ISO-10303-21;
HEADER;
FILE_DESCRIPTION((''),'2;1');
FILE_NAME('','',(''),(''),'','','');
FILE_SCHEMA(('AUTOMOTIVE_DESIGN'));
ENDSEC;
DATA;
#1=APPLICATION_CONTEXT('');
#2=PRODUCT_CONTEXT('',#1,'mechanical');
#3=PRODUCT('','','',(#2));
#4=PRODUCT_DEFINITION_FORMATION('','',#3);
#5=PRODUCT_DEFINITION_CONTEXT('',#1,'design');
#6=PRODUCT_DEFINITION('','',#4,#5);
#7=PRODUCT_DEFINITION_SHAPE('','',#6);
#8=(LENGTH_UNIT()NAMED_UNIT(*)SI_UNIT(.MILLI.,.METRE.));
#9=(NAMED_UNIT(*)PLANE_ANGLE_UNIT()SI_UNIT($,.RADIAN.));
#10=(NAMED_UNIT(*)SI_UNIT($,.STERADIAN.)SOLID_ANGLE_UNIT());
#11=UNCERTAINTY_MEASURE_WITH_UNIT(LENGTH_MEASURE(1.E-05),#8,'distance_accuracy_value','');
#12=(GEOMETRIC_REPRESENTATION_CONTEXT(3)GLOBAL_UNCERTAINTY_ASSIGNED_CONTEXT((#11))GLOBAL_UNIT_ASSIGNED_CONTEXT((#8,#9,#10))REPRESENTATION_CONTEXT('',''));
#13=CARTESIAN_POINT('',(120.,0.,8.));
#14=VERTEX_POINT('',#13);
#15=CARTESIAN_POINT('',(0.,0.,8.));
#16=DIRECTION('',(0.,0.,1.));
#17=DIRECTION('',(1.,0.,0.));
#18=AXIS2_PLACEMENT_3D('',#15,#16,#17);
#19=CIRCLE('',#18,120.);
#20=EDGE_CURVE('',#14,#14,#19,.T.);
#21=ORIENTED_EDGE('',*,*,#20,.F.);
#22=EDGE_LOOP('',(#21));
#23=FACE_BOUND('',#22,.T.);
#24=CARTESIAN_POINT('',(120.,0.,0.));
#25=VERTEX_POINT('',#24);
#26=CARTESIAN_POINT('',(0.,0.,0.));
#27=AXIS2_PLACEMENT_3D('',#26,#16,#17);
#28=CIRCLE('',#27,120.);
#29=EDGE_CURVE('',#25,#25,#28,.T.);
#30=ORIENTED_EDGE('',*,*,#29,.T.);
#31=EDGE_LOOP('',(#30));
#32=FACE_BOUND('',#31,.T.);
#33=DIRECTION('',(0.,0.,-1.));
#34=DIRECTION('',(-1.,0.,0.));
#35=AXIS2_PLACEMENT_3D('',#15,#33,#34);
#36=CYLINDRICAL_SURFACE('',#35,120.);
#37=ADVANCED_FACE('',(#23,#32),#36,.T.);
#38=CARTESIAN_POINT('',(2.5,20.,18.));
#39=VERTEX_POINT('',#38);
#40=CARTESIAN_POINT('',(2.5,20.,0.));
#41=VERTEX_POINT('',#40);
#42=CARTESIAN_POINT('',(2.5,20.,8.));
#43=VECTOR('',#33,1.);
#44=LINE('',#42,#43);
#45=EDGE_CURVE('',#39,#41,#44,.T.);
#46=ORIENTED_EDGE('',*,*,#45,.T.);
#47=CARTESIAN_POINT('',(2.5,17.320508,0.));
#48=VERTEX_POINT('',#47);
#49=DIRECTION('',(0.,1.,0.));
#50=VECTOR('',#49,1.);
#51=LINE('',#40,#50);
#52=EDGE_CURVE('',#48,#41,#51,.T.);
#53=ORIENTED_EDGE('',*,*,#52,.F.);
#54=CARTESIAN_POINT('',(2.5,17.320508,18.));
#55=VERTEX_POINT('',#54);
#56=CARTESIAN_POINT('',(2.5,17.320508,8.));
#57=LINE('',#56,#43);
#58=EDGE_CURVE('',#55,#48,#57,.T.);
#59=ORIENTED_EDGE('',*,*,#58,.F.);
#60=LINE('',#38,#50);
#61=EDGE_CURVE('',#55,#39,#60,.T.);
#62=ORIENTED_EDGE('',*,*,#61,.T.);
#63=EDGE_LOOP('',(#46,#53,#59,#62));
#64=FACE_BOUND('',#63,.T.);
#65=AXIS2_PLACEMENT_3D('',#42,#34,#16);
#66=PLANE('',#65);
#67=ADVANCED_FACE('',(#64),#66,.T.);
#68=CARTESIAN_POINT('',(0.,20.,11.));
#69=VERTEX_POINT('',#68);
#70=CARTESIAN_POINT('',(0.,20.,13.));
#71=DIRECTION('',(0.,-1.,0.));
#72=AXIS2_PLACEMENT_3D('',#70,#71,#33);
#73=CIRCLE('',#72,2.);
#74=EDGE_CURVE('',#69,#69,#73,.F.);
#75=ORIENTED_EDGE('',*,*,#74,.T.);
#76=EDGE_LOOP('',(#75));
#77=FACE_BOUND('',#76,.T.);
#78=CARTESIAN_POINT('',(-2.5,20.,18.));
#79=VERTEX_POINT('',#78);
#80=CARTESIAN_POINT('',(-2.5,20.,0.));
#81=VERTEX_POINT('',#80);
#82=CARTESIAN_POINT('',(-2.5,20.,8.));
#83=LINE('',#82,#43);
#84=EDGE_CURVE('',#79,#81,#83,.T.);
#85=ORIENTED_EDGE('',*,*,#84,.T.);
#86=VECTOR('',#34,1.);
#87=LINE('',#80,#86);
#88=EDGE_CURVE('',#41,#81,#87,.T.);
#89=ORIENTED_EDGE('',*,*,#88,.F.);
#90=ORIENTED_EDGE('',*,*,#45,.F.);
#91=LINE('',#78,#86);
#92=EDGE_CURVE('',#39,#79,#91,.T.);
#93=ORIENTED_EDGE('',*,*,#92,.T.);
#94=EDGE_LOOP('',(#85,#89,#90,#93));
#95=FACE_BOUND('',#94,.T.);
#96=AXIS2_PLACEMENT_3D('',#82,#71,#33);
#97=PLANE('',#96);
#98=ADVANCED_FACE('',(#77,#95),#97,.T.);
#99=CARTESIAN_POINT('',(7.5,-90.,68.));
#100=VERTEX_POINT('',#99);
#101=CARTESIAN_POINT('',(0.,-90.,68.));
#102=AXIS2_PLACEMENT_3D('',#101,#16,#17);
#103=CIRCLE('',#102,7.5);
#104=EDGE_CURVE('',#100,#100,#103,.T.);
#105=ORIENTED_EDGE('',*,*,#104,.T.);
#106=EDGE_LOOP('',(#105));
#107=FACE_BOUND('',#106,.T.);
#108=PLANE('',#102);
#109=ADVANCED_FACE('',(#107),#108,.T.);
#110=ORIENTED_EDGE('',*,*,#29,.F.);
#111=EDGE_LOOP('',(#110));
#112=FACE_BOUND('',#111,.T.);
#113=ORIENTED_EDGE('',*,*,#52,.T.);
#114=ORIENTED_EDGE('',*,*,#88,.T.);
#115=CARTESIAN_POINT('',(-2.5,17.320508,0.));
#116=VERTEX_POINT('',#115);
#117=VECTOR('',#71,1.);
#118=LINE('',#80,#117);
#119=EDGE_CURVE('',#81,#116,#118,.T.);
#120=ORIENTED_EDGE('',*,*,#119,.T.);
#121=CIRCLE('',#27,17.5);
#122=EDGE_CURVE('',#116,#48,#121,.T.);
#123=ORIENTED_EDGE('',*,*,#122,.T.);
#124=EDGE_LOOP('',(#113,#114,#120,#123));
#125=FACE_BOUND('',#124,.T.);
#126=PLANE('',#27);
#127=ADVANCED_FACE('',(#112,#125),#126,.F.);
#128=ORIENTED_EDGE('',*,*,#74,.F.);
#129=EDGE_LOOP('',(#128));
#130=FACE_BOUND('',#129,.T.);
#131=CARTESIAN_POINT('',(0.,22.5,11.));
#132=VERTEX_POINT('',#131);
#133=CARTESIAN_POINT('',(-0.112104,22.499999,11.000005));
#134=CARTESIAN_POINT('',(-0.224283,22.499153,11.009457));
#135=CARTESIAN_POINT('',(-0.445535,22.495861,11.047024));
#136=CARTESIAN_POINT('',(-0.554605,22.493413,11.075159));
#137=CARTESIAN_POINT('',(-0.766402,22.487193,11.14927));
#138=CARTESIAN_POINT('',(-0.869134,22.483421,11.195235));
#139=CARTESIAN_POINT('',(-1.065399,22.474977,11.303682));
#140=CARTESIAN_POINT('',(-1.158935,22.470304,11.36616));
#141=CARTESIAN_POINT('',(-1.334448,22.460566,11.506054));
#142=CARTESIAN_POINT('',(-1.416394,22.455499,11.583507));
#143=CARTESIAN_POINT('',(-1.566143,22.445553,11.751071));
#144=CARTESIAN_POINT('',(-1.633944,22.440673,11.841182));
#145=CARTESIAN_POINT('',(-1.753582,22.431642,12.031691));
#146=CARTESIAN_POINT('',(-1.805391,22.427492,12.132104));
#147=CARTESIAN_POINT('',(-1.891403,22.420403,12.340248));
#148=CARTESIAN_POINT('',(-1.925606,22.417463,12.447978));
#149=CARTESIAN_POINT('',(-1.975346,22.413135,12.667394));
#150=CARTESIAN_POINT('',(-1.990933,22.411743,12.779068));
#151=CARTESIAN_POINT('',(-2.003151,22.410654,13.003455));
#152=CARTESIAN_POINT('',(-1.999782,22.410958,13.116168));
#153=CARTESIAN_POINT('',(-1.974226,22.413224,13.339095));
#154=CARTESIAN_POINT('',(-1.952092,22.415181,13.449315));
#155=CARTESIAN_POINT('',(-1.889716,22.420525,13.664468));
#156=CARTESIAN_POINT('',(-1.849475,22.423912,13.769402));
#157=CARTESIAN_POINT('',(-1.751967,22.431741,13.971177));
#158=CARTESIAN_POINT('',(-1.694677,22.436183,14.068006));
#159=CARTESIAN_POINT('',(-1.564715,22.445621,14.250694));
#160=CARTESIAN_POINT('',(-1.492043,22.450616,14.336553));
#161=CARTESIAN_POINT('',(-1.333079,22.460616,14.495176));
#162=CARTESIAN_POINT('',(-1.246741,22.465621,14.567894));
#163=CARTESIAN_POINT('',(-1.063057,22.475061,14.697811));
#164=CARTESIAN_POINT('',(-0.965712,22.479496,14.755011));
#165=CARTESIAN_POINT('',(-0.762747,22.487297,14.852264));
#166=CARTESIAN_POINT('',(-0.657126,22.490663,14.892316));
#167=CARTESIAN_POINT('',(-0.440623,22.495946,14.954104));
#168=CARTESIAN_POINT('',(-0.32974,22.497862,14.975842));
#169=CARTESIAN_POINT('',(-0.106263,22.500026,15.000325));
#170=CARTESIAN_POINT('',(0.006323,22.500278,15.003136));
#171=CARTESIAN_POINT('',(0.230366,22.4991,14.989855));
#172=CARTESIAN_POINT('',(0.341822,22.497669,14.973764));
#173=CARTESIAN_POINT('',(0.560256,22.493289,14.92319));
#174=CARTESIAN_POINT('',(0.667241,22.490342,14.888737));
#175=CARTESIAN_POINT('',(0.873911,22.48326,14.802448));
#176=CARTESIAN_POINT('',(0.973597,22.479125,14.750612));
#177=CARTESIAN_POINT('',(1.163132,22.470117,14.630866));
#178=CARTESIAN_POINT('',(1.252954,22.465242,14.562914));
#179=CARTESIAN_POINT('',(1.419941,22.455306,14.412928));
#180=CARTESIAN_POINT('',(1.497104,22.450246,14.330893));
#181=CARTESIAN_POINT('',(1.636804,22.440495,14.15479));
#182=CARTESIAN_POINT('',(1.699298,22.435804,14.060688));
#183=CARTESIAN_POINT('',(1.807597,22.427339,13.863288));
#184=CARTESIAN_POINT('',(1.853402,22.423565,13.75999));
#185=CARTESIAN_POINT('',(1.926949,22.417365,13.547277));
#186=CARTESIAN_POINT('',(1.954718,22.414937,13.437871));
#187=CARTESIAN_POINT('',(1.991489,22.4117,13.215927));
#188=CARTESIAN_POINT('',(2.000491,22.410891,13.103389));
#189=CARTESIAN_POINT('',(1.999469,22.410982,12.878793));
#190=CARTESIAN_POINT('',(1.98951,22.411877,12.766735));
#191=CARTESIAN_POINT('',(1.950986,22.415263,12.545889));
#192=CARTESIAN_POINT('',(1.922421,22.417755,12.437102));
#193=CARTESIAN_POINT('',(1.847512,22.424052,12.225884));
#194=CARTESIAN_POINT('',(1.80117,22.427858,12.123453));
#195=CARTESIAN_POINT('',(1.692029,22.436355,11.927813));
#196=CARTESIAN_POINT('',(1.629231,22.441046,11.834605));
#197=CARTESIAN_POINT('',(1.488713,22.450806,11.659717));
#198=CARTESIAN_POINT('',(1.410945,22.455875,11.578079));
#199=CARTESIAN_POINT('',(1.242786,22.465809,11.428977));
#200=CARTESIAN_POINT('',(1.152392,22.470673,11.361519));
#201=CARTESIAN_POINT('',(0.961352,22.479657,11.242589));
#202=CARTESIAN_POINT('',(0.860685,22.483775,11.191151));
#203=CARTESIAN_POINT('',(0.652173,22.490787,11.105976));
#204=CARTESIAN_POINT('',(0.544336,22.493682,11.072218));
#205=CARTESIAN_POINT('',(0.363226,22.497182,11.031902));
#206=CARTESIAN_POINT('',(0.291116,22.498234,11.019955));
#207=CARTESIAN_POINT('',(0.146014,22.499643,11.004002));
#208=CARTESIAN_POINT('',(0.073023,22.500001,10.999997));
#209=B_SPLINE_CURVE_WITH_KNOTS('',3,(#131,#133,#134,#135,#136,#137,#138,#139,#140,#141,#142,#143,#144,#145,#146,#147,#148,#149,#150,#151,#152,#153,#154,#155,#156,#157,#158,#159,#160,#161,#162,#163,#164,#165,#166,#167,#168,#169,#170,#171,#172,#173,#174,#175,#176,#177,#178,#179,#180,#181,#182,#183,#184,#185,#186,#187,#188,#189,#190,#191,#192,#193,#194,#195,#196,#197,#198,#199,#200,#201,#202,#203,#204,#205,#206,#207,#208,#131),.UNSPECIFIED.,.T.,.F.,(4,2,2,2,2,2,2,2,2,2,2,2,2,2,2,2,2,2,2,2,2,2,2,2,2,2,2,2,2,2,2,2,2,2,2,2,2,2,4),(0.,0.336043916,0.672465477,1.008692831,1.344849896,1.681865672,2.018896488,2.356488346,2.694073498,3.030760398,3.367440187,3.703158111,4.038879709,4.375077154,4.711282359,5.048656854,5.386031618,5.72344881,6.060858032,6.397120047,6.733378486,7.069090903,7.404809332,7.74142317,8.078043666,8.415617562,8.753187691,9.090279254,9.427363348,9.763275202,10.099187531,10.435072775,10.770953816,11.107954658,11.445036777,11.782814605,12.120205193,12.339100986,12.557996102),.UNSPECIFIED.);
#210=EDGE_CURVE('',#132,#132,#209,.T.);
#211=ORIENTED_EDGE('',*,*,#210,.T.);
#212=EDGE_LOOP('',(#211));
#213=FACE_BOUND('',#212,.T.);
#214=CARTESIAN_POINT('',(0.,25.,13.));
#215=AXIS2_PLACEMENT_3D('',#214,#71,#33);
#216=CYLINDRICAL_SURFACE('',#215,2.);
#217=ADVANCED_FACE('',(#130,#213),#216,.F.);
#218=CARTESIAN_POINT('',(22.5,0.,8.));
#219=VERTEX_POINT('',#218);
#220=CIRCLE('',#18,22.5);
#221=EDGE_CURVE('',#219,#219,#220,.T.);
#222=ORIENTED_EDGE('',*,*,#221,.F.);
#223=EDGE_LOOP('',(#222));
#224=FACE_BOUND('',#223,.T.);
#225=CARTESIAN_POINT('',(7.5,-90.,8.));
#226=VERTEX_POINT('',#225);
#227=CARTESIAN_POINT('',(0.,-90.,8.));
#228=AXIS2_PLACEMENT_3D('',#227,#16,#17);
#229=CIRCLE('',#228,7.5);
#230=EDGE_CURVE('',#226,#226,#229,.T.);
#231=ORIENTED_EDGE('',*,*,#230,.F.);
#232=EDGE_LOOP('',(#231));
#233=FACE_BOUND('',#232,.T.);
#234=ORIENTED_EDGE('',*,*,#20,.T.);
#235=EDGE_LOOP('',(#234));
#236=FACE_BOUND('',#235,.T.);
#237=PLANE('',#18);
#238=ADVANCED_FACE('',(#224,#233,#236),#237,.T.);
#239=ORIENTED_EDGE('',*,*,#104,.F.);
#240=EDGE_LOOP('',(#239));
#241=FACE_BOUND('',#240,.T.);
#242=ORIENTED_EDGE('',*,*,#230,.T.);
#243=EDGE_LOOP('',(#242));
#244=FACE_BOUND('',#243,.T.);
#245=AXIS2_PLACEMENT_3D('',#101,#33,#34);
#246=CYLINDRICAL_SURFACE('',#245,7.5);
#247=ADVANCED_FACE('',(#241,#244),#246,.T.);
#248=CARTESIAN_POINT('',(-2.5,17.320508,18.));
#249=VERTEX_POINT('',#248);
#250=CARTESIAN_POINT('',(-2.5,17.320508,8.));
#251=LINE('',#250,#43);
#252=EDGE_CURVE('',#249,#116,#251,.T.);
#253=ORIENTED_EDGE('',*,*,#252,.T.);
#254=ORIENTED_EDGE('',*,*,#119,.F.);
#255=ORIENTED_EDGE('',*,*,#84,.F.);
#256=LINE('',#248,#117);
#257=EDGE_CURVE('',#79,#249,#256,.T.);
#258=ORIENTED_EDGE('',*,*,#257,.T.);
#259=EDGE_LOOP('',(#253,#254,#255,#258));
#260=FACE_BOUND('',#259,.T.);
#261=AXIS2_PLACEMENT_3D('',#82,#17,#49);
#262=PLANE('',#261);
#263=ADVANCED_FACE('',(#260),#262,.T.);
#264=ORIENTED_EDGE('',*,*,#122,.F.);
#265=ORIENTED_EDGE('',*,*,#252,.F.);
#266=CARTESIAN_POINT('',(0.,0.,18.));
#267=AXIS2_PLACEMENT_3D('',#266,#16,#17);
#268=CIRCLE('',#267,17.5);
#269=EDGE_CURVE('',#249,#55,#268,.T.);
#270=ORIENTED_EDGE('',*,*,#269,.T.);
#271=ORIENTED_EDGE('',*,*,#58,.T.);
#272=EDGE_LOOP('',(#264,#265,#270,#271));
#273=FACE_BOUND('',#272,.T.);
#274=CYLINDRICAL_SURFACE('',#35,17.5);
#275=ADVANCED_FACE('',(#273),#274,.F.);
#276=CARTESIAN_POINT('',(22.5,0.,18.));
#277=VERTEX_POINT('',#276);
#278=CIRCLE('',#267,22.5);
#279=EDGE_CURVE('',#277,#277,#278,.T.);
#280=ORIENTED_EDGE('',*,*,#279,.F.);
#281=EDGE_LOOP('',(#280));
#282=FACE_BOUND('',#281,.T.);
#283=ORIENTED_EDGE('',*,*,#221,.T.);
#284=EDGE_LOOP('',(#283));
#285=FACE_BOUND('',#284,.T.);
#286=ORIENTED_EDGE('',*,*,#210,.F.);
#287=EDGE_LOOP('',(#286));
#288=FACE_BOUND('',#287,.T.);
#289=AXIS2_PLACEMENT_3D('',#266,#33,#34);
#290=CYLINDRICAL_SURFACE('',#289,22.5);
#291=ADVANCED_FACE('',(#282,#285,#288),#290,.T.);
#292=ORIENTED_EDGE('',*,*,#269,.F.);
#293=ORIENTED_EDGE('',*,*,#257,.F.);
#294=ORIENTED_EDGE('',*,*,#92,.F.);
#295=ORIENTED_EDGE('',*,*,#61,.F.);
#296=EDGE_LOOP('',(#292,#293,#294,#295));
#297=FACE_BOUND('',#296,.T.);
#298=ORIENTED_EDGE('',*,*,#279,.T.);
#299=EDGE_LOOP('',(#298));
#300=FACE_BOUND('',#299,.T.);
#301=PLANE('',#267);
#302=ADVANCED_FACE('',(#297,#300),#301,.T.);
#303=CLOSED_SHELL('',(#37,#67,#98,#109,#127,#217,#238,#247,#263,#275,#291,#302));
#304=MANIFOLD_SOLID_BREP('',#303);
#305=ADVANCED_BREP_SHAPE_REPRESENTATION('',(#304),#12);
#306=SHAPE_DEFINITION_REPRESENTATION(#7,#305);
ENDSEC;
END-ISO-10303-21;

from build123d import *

# Parameters (mm, degrees)
SKETCH1_R           = 120
BOSS_EXTRUDE1_DEPTH = 8
SKETCH2_R           = 22.5
BOSS_EXTRUDE2_DEPTH = 10
SKETCH3_R           = 2
CUT_EXTRUDE1_DEPTH  = 25
SKETCH4_R           = 7.5
BOSS_EXTRUDE3_DEPTH = 60


with BuildPart() as part:
    # Sketch1 → Boss-Extrude1 (new body)
    with BuildSketch(Plane.XY):
        Circle(SKETCH1_R)
        with BuildLine():
            Line((-2.5, 20), (2.5, 20))
            Line((2.5, 20), (2.5, 17.320508076))
            ThreePointArc((2.5, 17.320508076), (0, -17.5), (-2.5, 17.320508076))
            Line((-2.5, 17.320508076), (-2.5, 20))
        make_face(mode=Mode.SUBTRACT)
    extrude(amount=BOSS_EXTRUDE1_DEPTH)

    # Sketch2 → Boss-Extrude2 (add)
    with BuildSketch(Plane.XY.offset(8)):
        Circle(SKETCH2_R)
        with BuildLine():
            Line((-2.5, 17.320508076), (-2.5, 20))
            Line((-2.5, 20), (2.5, 20))
            Line((2.5, 20), (2.5, 17.320508076))
            ThreePointArc((2.5, 17.320508076), (0, -17.5), (-2.5, 17.320508076))
        make_face(mode=Mode.SUBTRACT)
    extrude(amount=BOSS_EXTRUDE2_DEPTH)

    # Sketch3 → Cut-Extrude1 (cut)
    with BuildSketch(Plane(origin=(0, 0, 0), x_dir=(1, 0, 0), z_dir=(0, 1, 0))):
        with Locations(Location((0, -13, 0), (0, 0, 90))):
            Circle(SKETCH3_R)
    extrude(amount=CUT_EXTRUDE1_DEPTH, mode=Mode.SUBTRACT)

    # Sketch4 → Boss-Extrude3 (add)
    with BuildSketch(Plane.XY.offset(8)):
        with Locations((0, -90)):
            Circle(SKETCH4_R)
    extrude(amount=BOSS_EXTRUDE3_DEPTH)


solid = part.part
